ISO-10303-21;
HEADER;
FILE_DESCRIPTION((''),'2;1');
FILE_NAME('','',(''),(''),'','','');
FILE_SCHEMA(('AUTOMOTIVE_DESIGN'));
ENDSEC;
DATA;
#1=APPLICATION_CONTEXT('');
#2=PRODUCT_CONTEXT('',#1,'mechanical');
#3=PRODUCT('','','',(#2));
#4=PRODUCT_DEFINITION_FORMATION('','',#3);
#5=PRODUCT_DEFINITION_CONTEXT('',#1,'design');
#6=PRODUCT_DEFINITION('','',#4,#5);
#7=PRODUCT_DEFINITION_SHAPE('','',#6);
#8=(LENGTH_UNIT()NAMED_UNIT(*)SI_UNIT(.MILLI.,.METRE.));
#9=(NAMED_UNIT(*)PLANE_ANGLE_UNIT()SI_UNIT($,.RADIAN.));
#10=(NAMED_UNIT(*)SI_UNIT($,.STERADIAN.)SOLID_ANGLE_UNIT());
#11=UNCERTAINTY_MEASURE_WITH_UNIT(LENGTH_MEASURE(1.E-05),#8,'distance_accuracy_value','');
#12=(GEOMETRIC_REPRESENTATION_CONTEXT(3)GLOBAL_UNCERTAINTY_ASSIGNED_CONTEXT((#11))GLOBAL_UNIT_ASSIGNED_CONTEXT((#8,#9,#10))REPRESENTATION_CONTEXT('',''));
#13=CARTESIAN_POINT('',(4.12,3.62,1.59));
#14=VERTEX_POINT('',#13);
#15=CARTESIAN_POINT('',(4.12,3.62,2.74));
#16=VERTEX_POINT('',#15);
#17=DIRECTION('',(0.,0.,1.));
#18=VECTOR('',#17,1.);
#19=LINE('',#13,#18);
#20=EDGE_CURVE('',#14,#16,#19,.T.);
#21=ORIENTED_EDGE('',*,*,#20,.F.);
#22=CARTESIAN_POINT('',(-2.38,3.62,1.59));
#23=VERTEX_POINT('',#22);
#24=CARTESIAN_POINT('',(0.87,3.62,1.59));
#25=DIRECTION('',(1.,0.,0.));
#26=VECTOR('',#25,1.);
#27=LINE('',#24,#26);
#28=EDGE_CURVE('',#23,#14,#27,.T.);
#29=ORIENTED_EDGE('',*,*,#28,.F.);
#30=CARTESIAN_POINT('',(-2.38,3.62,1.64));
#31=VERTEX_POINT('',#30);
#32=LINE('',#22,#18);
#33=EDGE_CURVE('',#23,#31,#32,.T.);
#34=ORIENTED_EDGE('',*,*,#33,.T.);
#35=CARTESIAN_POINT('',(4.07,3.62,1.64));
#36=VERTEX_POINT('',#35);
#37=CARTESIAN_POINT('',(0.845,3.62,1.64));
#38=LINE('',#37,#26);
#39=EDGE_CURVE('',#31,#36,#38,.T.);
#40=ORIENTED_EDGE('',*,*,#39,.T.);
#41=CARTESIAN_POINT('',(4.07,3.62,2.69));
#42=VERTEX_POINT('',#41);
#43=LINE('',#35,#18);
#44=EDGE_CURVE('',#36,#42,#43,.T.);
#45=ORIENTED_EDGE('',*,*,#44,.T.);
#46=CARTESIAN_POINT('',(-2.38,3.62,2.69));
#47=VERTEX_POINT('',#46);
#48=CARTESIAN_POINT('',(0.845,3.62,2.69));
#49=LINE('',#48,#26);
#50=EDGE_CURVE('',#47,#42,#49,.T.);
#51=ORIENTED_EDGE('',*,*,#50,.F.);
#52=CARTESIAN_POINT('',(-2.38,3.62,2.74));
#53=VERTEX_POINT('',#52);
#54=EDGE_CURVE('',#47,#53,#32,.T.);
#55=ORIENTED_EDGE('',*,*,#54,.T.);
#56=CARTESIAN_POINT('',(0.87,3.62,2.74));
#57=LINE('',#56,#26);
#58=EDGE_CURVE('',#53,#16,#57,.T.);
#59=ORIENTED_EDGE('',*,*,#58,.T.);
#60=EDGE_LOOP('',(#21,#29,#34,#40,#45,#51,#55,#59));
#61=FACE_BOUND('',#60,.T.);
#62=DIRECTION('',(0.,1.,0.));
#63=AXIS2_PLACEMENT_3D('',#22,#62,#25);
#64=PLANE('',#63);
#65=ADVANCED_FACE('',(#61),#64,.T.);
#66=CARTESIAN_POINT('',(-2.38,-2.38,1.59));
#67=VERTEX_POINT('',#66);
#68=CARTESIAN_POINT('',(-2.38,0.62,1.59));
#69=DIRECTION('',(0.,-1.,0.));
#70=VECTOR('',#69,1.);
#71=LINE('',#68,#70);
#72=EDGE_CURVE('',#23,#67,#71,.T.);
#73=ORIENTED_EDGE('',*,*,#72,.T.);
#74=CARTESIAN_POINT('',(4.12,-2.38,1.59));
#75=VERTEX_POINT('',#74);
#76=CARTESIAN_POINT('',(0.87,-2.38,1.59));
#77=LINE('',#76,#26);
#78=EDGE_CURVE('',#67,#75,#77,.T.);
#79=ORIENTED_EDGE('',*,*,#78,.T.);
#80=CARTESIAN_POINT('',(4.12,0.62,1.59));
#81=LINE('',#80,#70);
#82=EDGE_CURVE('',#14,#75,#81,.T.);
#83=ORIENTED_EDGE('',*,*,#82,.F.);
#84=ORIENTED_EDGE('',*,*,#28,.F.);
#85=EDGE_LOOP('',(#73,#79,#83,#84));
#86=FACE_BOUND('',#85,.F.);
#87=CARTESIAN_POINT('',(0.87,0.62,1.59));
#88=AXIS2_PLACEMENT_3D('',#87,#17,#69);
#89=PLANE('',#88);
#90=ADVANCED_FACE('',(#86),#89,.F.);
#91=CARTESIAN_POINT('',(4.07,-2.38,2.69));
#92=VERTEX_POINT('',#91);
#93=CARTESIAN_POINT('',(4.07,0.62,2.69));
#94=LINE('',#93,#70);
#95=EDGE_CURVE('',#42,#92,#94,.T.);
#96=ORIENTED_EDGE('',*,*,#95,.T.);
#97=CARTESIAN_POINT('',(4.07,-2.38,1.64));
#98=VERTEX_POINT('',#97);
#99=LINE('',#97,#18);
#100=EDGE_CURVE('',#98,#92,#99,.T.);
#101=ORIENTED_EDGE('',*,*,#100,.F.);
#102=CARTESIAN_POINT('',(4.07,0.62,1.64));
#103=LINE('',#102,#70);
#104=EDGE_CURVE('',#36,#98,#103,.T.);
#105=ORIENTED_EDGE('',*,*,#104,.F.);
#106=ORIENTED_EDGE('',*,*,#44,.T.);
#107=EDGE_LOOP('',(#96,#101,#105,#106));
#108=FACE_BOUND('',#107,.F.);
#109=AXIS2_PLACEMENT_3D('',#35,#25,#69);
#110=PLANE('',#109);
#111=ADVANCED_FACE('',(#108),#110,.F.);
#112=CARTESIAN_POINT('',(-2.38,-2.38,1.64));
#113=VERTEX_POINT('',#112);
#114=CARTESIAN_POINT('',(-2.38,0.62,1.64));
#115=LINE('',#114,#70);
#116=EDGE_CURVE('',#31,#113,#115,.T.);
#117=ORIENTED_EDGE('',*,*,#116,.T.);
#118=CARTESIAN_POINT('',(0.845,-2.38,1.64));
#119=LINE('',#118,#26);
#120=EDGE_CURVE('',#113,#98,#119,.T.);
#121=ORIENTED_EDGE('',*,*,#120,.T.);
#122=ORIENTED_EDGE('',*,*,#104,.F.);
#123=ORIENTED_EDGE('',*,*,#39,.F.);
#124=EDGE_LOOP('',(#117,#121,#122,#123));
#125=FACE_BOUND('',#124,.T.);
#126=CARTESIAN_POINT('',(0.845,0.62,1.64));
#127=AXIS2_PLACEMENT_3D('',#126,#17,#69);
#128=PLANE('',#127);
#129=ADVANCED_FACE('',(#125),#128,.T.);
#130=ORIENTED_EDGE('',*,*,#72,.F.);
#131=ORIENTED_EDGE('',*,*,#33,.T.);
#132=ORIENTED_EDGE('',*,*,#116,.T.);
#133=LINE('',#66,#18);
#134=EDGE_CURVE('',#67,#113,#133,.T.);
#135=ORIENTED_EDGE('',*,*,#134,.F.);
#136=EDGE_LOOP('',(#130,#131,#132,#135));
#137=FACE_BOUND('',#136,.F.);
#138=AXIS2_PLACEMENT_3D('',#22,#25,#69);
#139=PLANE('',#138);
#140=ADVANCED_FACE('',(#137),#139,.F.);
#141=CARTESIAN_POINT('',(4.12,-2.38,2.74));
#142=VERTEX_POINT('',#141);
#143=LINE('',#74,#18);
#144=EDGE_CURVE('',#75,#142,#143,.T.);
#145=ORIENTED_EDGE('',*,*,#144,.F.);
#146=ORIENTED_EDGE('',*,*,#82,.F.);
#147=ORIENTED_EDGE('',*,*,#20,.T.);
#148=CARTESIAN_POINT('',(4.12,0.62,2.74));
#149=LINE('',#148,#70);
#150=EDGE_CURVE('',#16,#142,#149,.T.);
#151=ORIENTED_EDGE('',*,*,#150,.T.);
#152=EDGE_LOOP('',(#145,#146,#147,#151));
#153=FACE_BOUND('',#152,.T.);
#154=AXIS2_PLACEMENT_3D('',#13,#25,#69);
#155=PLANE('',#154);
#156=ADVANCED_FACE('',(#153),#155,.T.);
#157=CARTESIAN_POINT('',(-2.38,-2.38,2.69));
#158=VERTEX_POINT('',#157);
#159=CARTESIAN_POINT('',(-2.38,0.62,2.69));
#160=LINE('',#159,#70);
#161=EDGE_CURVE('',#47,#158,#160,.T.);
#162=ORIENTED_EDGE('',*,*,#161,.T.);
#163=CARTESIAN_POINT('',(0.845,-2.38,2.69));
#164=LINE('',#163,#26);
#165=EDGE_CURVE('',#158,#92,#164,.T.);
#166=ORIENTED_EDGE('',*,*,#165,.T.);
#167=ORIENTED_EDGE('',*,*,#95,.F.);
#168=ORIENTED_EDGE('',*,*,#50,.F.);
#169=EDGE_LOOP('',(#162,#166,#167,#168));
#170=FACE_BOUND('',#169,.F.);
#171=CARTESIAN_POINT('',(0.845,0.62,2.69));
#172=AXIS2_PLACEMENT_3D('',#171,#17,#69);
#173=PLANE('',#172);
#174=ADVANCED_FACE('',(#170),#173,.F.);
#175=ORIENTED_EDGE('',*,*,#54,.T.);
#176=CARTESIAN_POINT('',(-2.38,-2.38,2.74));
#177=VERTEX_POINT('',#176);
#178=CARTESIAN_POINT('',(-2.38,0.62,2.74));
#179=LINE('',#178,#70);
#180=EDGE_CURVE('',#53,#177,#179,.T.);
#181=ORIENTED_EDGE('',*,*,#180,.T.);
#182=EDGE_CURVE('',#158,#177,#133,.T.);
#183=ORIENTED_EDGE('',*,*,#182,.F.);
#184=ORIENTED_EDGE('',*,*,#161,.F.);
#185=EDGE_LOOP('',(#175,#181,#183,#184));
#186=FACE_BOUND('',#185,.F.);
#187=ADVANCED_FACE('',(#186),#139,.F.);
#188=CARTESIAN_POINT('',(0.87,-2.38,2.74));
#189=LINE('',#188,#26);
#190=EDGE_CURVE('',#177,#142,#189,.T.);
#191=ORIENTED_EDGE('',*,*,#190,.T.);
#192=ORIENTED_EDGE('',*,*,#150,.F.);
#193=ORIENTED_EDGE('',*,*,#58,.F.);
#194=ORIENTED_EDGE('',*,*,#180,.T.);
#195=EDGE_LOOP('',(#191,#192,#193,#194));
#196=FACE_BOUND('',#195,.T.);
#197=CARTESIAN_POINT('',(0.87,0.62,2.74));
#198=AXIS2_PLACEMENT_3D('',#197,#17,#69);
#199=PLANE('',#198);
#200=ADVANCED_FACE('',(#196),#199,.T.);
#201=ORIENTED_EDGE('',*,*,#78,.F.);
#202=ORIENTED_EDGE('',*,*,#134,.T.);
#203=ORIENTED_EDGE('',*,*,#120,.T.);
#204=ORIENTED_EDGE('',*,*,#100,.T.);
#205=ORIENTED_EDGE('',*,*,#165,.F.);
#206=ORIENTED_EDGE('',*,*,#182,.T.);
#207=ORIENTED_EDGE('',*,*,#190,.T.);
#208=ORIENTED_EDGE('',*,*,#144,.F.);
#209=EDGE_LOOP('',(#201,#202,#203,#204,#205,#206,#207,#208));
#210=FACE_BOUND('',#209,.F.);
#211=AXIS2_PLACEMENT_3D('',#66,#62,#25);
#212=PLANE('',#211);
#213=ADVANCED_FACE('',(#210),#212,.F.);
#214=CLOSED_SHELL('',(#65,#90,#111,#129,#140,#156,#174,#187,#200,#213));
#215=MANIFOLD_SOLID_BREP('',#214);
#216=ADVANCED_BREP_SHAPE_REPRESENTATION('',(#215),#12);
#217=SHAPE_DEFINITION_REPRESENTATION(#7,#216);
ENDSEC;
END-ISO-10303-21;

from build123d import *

# Parameters (mm, degrees)
BOX053_W               = 6
BOX053_H               = 6.45
BOX053_DEPTH           = 1.05
BOX052_W               = 6
BOX052_H               = 6.5
BOX052_DEPTH           = 1.15
CUT006_PLACEMENT_ANGLE = 270


with BuildPart() as small_cu_gnd_electrode010:
    # Box053 → Box053 (new body)
    with BuildSketch(Plane.XY.offset(0.05)):
        with Locations((3, 3.225)):
            Rectangle(BOX053_W, BOX053_H)
    extrude(amount=BOX053_DEPTH)


with BuildPart() as small_cu_electrode_short_axis_gnd:
    # Box052 → Box052 (new body)
    with BuildSketch(Plane.XY):
        with Locations((3, 3.25)):
            Rectangle(BOX052_W, BOX052_H)
    extrude(amount=BOX052_DEPTH)

    # Cut006: cut Small Cu GND Electrode010
    add(small_cu_gnd_electrode010.part, mode=Mode.SUBTRACT)


with BuildPart() as small_cu_electrode_short_axis_gnd_1:
    # Cut006 placement: moved
    add(small_cu_electrode_short_axis_gnd.part.moved(Location((-2.38, 3.62, 1.59))).rotate(Axis((-2.38, 3.62, 1.59), (0, 0, 1)), CUT006_PLACEMENT_ANGLE))


solid = small_cu_electrode_short_axis_gnd_1.part
